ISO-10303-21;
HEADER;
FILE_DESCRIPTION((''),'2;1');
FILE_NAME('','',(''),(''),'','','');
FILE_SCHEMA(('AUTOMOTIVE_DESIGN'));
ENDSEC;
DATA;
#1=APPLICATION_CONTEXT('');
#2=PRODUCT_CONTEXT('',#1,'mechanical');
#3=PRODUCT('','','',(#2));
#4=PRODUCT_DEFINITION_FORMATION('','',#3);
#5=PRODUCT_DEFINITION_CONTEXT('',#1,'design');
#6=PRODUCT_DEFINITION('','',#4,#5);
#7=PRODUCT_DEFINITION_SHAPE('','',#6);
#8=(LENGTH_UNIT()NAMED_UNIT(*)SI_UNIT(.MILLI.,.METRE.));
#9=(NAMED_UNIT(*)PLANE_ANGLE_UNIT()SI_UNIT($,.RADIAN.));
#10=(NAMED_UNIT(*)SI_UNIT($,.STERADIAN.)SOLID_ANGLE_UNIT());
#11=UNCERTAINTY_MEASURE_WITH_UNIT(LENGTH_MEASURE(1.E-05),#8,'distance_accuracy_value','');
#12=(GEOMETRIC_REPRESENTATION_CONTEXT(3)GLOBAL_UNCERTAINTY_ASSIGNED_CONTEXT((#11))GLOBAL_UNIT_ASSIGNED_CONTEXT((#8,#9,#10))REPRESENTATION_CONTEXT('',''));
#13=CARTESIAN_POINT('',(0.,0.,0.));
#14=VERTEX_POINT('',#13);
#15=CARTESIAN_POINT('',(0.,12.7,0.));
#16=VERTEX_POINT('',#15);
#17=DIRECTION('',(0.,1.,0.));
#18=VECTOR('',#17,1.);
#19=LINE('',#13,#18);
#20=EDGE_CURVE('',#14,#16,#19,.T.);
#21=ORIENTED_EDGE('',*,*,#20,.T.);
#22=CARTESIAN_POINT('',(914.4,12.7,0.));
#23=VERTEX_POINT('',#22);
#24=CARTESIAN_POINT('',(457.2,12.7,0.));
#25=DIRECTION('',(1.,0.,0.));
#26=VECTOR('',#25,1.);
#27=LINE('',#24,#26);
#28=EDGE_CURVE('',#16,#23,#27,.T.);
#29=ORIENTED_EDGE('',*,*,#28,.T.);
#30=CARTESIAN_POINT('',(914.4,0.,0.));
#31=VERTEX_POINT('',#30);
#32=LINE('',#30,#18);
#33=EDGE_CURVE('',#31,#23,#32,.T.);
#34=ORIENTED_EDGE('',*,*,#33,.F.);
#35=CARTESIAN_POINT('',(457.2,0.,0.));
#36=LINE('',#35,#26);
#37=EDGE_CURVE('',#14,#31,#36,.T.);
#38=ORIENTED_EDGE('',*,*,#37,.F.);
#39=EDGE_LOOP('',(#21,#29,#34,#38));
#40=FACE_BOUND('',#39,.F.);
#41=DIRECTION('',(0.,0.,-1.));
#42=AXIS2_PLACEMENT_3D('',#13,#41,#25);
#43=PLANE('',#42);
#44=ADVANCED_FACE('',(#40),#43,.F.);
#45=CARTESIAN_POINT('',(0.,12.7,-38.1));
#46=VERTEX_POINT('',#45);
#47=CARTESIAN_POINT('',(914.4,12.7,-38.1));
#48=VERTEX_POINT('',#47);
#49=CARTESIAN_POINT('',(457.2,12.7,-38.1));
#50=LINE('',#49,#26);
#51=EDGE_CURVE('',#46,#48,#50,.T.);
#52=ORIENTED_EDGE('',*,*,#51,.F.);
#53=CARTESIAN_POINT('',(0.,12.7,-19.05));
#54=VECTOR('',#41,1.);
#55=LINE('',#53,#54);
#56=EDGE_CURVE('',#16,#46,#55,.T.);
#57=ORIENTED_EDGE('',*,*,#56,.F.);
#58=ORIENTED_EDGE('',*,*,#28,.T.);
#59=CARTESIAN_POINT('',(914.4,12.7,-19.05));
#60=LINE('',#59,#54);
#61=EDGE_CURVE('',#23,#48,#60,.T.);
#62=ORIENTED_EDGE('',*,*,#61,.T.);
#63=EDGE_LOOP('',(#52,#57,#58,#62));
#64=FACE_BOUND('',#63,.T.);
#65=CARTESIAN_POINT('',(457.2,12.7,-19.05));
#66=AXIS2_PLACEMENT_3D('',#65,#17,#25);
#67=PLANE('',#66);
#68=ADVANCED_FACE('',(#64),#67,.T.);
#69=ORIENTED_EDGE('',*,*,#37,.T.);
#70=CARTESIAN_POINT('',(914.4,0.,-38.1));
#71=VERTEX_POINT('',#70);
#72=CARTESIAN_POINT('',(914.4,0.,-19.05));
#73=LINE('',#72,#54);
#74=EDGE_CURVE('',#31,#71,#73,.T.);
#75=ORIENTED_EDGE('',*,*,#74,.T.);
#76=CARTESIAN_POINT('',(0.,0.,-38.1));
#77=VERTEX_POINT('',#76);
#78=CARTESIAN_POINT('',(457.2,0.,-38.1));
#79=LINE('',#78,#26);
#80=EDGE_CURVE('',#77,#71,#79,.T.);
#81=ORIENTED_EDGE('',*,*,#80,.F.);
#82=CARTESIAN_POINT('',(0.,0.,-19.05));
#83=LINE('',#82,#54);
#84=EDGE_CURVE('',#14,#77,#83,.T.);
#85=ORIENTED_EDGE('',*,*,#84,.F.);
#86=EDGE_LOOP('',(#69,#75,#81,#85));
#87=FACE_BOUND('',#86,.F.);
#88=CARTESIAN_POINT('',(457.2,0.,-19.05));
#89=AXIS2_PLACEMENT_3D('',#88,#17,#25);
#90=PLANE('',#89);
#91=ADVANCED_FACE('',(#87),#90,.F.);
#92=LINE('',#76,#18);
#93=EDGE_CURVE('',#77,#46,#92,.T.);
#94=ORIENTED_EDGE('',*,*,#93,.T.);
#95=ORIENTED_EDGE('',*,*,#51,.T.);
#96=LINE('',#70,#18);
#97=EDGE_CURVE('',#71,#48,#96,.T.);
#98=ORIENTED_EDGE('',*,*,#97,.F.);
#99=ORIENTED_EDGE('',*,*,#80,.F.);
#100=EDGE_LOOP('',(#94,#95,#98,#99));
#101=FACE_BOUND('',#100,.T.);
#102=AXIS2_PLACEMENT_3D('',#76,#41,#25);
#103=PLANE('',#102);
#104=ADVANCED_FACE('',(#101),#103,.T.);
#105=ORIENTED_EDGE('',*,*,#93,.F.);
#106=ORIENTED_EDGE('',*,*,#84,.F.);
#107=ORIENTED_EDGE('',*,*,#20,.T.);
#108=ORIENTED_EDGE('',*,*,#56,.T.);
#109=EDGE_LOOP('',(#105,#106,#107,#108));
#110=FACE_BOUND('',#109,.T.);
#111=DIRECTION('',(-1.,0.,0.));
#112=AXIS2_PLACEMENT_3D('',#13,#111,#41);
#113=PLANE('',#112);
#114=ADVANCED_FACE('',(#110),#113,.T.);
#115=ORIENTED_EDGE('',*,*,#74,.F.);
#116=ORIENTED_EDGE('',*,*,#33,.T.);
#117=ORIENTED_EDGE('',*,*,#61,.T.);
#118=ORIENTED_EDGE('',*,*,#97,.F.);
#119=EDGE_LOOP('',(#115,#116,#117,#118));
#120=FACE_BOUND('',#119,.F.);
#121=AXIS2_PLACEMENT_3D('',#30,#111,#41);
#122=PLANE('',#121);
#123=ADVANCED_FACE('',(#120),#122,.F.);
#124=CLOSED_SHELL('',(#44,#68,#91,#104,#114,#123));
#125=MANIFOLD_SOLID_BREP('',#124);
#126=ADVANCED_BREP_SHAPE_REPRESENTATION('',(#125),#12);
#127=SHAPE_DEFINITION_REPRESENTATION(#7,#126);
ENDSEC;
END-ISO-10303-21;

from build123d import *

# Parameters (mm, degrees)
SKETCH1_W           = 914.4
SKETCH1_H           = 38.1
BOSS_EXTRUDE1_DEPTH = 12.7


with BuildPart() as part:
    # Sketch1 → Boss-Extrude1 (new body)
    with BuildSketch(Plane(origin=(0, 0, 0), x_dir=(1, 0, 0), z_dir=(0, 1, 0))):
        with Locations((457.2, 19.05)):
            Rectangle(SKETCH1_W, SKETCH1_H)
    extrude(amount=BOSS_EXTRUDE1_DEPTH)


solid = part.part
